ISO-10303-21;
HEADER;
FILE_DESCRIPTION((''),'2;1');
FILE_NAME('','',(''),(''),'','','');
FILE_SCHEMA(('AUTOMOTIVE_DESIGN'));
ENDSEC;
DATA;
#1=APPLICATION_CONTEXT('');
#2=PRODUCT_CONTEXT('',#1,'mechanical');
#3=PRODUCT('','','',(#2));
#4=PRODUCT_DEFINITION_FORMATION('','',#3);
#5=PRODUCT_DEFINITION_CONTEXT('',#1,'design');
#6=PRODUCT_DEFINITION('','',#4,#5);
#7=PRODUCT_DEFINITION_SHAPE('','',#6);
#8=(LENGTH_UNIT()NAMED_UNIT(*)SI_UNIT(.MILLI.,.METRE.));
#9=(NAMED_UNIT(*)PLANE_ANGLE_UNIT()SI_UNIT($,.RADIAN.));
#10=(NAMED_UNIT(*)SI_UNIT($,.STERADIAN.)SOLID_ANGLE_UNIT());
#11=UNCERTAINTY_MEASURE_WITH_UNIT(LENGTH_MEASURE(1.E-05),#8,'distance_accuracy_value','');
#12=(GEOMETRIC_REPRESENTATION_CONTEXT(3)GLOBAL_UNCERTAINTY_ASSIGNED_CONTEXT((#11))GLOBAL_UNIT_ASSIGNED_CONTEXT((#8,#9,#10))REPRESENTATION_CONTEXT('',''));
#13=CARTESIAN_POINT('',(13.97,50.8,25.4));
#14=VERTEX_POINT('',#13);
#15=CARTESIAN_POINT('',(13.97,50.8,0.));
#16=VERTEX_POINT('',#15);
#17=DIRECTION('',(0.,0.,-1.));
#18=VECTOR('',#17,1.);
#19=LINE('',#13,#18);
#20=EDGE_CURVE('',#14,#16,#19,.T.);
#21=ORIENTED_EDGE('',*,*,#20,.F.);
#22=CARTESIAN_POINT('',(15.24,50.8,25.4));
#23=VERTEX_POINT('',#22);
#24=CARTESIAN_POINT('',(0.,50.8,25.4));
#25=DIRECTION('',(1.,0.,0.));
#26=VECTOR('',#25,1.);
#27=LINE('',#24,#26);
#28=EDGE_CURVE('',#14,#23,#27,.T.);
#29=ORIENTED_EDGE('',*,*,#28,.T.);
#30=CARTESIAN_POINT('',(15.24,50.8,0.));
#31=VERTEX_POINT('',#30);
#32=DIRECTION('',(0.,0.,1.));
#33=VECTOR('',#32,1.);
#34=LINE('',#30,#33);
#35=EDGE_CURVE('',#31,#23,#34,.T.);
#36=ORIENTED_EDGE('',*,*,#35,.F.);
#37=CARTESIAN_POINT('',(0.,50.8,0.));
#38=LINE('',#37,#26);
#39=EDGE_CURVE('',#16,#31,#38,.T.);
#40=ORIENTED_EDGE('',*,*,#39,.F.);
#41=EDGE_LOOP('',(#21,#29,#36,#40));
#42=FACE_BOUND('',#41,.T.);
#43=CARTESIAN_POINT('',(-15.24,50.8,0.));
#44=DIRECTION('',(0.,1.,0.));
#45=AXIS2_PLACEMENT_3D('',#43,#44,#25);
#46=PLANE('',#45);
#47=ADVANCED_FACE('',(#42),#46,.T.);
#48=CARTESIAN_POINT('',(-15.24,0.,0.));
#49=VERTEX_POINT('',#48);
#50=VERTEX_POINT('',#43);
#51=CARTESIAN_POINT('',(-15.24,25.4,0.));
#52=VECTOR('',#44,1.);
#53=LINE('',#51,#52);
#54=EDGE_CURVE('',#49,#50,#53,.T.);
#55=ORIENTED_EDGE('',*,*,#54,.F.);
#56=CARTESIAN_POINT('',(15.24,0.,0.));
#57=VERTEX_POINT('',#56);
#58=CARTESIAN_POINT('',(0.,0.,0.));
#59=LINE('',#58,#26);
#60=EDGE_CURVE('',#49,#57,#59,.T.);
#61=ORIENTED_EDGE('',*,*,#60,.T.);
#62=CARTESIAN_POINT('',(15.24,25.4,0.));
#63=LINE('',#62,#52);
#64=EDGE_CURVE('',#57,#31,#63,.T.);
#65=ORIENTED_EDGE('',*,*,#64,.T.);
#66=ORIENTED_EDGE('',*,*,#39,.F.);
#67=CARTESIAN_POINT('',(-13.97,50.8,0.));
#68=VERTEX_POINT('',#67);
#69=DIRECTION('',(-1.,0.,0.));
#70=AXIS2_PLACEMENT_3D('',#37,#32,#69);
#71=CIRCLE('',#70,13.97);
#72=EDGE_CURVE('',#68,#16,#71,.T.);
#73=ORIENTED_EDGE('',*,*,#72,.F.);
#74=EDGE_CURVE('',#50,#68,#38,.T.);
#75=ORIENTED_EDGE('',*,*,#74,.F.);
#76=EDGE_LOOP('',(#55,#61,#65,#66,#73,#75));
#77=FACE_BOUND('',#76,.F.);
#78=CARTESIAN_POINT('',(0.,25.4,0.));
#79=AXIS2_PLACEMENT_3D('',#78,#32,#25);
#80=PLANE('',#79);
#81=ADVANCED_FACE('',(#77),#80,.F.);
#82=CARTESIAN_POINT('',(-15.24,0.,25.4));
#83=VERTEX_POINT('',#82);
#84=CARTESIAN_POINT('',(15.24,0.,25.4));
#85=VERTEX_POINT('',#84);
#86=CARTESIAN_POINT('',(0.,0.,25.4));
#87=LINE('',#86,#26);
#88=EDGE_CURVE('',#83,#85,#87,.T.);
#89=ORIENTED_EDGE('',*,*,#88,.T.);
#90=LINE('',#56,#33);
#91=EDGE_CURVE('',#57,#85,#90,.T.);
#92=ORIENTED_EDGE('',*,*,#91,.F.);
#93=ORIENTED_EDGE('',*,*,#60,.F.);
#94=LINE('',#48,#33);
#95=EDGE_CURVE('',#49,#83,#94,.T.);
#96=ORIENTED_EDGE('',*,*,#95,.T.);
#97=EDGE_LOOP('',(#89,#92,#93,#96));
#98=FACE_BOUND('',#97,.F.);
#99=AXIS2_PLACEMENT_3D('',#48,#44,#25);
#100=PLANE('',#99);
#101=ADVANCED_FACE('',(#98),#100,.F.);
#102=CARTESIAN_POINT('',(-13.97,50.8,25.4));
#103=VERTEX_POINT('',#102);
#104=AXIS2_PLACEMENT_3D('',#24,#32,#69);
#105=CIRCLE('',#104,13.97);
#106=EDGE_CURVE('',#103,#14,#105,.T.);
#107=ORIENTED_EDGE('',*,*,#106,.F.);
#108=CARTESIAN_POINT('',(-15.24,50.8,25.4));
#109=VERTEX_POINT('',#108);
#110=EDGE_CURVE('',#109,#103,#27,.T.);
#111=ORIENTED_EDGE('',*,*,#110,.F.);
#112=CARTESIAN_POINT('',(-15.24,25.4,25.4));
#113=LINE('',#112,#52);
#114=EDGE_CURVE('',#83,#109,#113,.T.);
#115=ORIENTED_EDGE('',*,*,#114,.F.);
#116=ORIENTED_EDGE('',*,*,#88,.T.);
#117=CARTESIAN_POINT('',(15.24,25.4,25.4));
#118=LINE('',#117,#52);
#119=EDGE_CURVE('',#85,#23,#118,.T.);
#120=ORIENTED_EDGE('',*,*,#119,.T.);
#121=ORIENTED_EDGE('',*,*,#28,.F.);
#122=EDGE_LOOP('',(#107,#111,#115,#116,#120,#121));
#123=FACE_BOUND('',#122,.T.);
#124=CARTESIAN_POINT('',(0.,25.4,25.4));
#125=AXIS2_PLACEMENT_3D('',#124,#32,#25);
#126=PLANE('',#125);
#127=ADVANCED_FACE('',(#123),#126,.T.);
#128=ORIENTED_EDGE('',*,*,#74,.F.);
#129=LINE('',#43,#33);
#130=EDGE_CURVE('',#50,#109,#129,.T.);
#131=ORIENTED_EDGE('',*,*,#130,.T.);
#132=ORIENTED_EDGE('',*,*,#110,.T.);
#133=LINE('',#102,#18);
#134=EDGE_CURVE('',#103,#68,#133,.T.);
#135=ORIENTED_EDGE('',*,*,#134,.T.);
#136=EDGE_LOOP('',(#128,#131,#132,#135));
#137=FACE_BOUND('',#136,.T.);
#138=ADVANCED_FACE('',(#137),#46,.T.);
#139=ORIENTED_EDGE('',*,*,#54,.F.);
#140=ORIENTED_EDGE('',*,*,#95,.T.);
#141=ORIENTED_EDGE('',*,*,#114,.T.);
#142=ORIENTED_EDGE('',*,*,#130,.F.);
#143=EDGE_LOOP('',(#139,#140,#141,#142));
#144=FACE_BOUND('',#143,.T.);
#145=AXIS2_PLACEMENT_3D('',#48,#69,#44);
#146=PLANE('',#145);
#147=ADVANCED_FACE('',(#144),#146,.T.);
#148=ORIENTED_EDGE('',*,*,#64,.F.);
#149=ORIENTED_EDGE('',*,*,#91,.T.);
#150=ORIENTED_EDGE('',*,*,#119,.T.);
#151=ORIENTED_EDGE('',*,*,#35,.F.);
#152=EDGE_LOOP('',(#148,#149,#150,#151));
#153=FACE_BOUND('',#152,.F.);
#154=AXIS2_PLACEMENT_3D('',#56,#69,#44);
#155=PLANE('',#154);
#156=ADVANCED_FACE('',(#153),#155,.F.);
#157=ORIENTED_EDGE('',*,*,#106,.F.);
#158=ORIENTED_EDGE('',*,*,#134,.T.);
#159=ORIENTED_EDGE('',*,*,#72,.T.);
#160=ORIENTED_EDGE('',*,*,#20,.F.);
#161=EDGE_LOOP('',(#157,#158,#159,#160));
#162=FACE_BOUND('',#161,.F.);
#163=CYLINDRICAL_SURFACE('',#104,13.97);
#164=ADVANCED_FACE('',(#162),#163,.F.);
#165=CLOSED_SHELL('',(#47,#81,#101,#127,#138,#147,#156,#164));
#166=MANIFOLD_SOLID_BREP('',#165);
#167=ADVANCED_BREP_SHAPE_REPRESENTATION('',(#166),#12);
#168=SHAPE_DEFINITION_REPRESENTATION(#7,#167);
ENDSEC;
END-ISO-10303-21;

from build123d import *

# Parameters (mm, degrees)
F0_W     = 30.48
F0_H     = 50.8
F1_DEPTH = 25.4
F3_DEPTH = 25.4


with BuildPart() as f1:
    # F0 (on Top) → F1 (new body)
    with BuildSketch(Plane.XY):
        with Locations((0, 25.4)):
            Rectangle(F0_W, F0_H)
    extrude(amount=F1_DEPTH)

    # F2 (on face) → F3 (cut)
    with BuildSketch(Plane.XY.offset(25.4)):
        with BuildLine():
            ThreePointArc((-13.97, 50.8), (0, 36.83), (13.97, 50.8))
            Line((13.97, 50.8), (-13.97, 50.8))
        make_face()
    extrude(amount=-F3_DEPTH, mode=Mode.SUBTRACT)


solid = f1.part
